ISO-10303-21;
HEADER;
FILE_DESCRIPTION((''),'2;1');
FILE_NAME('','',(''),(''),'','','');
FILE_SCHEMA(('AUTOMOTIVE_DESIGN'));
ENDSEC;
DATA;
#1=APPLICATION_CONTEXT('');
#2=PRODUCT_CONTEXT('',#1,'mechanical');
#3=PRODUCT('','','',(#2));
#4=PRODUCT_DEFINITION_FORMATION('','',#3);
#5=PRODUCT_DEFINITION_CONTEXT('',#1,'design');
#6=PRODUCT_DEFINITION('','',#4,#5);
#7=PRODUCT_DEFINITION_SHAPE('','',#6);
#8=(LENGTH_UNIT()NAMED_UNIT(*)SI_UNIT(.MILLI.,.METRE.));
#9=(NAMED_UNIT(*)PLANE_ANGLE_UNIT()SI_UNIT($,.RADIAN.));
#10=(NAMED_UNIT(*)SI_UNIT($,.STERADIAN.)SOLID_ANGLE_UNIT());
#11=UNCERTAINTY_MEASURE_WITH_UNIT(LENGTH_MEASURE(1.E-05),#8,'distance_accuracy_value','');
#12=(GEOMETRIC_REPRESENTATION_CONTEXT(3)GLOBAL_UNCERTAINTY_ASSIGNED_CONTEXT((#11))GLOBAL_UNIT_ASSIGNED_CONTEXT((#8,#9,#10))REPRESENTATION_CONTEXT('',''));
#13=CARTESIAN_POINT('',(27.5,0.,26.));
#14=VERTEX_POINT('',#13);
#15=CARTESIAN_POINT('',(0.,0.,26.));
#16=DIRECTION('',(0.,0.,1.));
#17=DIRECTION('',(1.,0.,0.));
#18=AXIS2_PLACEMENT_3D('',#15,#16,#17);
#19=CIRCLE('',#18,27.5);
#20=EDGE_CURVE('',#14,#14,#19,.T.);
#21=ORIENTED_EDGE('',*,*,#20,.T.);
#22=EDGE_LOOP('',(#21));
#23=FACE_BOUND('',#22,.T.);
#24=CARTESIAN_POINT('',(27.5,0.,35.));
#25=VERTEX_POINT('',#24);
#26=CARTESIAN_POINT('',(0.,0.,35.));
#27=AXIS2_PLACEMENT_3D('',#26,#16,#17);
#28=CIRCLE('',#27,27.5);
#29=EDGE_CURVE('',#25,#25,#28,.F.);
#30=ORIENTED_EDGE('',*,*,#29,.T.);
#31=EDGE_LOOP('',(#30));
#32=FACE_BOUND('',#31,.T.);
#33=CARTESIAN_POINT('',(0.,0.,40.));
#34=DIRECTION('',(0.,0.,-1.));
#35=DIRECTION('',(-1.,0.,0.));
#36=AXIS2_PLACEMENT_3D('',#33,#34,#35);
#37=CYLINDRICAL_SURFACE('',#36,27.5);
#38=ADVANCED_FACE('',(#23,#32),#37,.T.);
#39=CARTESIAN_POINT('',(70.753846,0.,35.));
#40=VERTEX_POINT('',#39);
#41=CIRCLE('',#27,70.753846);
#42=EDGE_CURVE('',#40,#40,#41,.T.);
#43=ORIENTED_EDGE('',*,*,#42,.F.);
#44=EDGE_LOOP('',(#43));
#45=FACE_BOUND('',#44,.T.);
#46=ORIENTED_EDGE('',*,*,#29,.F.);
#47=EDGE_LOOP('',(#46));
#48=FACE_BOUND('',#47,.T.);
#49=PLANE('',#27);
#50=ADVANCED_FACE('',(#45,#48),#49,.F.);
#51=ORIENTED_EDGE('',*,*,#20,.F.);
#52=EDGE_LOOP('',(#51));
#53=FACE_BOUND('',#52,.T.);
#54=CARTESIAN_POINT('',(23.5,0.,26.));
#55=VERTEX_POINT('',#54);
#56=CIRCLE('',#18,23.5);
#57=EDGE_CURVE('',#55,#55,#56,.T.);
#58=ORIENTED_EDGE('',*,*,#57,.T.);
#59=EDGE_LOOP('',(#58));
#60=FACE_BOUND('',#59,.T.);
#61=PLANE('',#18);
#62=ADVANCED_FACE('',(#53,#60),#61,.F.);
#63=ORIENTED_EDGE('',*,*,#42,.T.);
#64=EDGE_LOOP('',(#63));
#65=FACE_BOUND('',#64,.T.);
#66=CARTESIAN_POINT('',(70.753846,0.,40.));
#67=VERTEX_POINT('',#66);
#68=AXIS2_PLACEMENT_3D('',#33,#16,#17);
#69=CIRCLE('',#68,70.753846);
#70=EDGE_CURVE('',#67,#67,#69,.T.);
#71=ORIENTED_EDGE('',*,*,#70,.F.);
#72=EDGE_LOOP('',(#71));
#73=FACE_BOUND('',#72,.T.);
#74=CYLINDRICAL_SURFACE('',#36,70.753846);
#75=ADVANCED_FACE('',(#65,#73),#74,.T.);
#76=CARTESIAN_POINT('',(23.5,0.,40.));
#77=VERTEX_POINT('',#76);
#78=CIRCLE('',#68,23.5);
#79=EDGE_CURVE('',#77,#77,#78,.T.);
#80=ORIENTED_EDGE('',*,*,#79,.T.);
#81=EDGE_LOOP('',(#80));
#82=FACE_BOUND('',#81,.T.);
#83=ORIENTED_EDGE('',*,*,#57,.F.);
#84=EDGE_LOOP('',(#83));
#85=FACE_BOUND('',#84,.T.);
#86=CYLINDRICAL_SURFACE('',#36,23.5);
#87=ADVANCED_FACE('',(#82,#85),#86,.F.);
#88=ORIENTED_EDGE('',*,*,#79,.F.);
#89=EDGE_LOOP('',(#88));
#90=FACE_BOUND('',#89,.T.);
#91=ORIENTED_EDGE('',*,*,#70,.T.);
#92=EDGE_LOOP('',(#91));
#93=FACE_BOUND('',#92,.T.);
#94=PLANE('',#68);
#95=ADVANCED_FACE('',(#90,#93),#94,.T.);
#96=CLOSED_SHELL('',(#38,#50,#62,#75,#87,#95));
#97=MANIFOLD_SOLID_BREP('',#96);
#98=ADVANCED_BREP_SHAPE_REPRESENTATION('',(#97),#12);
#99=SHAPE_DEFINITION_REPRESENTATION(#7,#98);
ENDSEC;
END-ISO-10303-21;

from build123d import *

# Parameters (mm, degrees)
COVER_WEB_START    = 35
SKETCH_1_R         = 70.753846154
SKETCH_1_R_2       = 23.5
COVER_WEB_DEPTH    = 5
BEARING_BOSS_START = 26
SKETCH_2_R         = 27.5
SKETCH_2_R_2       = 23.5
BEARING_BOSS_DEPTH = 14


with BuildPart() as part:
    # Эскиз1 → Cover_web (new body)
    with BuildSketch(Plane.XY.offset(COVER_WEB_START)):
        Circle(SKETCH_1_R)
        Circle(SKETCH_1_R_2, mode=Mode.SUBTRACT)
    extrude(amount=COVER_WEB_DEPTH)

    # Эскиз2 → Bearing_boss (add)
    with BuildSketch(Plane.XY.offset(BEARING_BOSS_START)):
        Circle(SKETCH_2_R)
        Circle(SKETCH_2_R_2, mode=Mode.SUBTRACT)
    extrude(amount=BEARING_BOSS_DEPTH)


solid = part.part
